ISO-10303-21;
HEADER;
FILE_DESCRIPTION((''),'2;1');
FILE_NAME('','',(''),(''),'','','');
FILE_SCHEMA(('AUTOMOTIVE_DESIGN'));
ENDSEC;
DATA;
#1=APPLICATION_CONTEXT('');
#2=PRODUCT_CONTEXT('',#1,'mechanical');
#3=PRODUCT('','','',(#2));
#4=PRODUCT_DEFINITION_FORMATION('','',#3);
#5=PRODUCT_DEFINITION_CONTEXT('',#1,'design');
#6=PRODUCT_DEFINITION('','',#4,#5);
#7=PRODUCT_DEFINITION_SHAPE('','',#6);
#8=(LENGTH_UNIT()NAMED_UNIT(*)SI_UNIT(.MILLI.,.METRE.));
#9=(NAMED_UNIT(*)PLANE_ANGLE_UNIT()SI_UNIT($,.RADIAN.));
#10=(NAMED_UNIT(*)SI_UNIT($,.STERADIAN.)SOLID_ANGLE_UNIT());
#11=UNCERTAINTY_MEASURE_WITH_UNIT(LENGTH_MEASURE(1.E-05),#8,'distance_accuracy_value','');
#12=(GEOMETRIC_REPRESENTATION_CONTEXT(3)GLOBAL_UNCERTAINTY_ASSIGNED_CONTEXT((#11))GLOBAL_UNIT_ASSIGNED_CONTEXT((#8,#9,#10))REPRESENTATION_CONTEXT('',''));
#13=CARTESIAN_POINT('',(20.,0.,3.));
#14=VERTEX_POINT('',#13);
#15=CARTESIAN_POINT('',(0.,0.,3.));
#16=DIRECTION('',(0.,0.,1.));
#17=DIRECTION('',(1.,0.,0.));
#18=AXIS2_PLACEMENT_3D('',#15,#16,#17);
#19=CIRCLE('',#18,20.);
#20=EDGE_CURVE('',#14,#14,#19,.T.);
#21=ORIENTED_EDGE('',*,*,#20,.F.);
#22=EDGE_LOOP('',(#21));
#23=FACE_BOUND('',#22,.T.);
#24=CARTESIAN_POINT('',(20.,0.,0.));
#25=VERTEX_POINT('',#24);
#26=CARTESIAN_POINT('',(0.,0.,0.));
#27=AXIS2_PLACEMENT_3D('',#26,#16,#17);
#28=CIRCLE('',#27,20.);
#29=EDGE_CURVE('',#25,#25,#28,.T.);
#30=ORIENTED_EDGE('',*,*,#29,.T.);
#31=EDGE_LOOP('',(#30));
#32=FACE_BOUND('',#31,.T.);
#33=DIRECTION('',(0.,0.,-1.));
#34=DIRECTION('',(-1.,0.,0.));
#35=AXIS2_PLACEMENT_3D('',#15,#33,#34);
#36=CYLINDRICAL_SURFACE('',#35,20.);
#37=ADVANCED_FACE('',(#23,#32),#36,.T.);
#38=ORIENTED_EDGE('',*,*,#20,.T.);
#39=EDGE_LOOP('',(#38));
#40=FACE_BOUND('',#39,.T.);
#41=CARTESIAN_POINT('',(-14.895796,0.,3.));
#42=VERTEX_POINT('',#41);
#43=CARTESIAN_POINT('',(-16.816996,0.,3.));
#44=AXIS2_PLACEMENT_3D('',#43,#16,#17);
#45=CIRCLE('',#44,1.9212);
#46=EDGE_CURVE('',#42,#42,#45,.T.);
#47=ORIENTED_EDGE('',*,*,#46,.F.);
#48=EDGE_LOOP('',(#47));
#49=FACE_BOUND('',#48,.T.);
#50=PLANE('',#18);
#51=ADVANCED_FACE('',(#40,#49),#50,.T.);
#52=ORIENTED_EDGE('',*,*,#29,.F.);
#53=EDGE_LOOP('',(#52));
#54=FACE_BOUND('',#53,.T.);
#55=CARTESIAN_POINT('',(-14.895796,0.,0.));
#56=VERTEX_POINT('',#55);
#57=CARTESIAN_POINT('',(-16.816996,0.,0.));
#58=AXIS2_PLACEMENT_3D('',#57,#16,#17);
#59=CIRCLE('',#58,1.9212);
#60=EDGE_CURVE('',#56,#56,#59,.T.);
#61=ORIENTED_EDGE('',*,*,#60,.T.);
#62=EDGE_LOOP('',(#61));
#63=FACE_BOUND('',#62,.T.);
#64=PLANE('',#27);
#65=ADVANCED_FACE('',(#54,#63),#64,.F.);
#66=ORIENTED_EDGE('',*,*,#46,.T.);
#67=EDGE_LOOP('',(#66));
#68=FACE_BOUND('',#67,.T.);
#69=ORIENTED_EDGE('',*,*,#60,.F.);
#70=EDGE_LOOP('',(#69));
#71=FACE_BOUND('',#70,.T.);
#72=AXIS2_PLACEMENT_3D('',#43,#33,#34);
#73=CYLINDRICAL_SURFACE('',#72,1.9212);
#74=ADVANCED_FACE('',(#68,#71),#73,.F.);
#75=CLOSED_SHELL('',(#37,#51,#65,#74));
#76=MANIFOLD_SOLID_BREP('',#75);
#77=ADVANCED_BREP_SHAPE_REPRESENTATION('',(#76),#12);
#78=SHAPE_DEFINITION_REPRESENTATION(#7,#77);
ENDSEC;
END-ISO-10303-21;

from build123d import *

# Parameters (mm, degrees)
ESQUISSE1_R        = 20
ESQUISSE1_R_2      = 1.921200108
BOSS_EXTRU_1_DEPTH = 3


with BuildPart() as part:
    # Esquisse1 → Boss.-Extru.1 (new body)
    with BuildSketch(Plane.XY):
        Circle(ESQUISSE1_R)
        with Locations((-16.816995958, 0)):
            Circle(ESQUISSE1_R_2, mode=Mode.SUBTRACT)
    extrude(amount=BOSS_EXTRU_1_DEPTH)


solid = part.part
